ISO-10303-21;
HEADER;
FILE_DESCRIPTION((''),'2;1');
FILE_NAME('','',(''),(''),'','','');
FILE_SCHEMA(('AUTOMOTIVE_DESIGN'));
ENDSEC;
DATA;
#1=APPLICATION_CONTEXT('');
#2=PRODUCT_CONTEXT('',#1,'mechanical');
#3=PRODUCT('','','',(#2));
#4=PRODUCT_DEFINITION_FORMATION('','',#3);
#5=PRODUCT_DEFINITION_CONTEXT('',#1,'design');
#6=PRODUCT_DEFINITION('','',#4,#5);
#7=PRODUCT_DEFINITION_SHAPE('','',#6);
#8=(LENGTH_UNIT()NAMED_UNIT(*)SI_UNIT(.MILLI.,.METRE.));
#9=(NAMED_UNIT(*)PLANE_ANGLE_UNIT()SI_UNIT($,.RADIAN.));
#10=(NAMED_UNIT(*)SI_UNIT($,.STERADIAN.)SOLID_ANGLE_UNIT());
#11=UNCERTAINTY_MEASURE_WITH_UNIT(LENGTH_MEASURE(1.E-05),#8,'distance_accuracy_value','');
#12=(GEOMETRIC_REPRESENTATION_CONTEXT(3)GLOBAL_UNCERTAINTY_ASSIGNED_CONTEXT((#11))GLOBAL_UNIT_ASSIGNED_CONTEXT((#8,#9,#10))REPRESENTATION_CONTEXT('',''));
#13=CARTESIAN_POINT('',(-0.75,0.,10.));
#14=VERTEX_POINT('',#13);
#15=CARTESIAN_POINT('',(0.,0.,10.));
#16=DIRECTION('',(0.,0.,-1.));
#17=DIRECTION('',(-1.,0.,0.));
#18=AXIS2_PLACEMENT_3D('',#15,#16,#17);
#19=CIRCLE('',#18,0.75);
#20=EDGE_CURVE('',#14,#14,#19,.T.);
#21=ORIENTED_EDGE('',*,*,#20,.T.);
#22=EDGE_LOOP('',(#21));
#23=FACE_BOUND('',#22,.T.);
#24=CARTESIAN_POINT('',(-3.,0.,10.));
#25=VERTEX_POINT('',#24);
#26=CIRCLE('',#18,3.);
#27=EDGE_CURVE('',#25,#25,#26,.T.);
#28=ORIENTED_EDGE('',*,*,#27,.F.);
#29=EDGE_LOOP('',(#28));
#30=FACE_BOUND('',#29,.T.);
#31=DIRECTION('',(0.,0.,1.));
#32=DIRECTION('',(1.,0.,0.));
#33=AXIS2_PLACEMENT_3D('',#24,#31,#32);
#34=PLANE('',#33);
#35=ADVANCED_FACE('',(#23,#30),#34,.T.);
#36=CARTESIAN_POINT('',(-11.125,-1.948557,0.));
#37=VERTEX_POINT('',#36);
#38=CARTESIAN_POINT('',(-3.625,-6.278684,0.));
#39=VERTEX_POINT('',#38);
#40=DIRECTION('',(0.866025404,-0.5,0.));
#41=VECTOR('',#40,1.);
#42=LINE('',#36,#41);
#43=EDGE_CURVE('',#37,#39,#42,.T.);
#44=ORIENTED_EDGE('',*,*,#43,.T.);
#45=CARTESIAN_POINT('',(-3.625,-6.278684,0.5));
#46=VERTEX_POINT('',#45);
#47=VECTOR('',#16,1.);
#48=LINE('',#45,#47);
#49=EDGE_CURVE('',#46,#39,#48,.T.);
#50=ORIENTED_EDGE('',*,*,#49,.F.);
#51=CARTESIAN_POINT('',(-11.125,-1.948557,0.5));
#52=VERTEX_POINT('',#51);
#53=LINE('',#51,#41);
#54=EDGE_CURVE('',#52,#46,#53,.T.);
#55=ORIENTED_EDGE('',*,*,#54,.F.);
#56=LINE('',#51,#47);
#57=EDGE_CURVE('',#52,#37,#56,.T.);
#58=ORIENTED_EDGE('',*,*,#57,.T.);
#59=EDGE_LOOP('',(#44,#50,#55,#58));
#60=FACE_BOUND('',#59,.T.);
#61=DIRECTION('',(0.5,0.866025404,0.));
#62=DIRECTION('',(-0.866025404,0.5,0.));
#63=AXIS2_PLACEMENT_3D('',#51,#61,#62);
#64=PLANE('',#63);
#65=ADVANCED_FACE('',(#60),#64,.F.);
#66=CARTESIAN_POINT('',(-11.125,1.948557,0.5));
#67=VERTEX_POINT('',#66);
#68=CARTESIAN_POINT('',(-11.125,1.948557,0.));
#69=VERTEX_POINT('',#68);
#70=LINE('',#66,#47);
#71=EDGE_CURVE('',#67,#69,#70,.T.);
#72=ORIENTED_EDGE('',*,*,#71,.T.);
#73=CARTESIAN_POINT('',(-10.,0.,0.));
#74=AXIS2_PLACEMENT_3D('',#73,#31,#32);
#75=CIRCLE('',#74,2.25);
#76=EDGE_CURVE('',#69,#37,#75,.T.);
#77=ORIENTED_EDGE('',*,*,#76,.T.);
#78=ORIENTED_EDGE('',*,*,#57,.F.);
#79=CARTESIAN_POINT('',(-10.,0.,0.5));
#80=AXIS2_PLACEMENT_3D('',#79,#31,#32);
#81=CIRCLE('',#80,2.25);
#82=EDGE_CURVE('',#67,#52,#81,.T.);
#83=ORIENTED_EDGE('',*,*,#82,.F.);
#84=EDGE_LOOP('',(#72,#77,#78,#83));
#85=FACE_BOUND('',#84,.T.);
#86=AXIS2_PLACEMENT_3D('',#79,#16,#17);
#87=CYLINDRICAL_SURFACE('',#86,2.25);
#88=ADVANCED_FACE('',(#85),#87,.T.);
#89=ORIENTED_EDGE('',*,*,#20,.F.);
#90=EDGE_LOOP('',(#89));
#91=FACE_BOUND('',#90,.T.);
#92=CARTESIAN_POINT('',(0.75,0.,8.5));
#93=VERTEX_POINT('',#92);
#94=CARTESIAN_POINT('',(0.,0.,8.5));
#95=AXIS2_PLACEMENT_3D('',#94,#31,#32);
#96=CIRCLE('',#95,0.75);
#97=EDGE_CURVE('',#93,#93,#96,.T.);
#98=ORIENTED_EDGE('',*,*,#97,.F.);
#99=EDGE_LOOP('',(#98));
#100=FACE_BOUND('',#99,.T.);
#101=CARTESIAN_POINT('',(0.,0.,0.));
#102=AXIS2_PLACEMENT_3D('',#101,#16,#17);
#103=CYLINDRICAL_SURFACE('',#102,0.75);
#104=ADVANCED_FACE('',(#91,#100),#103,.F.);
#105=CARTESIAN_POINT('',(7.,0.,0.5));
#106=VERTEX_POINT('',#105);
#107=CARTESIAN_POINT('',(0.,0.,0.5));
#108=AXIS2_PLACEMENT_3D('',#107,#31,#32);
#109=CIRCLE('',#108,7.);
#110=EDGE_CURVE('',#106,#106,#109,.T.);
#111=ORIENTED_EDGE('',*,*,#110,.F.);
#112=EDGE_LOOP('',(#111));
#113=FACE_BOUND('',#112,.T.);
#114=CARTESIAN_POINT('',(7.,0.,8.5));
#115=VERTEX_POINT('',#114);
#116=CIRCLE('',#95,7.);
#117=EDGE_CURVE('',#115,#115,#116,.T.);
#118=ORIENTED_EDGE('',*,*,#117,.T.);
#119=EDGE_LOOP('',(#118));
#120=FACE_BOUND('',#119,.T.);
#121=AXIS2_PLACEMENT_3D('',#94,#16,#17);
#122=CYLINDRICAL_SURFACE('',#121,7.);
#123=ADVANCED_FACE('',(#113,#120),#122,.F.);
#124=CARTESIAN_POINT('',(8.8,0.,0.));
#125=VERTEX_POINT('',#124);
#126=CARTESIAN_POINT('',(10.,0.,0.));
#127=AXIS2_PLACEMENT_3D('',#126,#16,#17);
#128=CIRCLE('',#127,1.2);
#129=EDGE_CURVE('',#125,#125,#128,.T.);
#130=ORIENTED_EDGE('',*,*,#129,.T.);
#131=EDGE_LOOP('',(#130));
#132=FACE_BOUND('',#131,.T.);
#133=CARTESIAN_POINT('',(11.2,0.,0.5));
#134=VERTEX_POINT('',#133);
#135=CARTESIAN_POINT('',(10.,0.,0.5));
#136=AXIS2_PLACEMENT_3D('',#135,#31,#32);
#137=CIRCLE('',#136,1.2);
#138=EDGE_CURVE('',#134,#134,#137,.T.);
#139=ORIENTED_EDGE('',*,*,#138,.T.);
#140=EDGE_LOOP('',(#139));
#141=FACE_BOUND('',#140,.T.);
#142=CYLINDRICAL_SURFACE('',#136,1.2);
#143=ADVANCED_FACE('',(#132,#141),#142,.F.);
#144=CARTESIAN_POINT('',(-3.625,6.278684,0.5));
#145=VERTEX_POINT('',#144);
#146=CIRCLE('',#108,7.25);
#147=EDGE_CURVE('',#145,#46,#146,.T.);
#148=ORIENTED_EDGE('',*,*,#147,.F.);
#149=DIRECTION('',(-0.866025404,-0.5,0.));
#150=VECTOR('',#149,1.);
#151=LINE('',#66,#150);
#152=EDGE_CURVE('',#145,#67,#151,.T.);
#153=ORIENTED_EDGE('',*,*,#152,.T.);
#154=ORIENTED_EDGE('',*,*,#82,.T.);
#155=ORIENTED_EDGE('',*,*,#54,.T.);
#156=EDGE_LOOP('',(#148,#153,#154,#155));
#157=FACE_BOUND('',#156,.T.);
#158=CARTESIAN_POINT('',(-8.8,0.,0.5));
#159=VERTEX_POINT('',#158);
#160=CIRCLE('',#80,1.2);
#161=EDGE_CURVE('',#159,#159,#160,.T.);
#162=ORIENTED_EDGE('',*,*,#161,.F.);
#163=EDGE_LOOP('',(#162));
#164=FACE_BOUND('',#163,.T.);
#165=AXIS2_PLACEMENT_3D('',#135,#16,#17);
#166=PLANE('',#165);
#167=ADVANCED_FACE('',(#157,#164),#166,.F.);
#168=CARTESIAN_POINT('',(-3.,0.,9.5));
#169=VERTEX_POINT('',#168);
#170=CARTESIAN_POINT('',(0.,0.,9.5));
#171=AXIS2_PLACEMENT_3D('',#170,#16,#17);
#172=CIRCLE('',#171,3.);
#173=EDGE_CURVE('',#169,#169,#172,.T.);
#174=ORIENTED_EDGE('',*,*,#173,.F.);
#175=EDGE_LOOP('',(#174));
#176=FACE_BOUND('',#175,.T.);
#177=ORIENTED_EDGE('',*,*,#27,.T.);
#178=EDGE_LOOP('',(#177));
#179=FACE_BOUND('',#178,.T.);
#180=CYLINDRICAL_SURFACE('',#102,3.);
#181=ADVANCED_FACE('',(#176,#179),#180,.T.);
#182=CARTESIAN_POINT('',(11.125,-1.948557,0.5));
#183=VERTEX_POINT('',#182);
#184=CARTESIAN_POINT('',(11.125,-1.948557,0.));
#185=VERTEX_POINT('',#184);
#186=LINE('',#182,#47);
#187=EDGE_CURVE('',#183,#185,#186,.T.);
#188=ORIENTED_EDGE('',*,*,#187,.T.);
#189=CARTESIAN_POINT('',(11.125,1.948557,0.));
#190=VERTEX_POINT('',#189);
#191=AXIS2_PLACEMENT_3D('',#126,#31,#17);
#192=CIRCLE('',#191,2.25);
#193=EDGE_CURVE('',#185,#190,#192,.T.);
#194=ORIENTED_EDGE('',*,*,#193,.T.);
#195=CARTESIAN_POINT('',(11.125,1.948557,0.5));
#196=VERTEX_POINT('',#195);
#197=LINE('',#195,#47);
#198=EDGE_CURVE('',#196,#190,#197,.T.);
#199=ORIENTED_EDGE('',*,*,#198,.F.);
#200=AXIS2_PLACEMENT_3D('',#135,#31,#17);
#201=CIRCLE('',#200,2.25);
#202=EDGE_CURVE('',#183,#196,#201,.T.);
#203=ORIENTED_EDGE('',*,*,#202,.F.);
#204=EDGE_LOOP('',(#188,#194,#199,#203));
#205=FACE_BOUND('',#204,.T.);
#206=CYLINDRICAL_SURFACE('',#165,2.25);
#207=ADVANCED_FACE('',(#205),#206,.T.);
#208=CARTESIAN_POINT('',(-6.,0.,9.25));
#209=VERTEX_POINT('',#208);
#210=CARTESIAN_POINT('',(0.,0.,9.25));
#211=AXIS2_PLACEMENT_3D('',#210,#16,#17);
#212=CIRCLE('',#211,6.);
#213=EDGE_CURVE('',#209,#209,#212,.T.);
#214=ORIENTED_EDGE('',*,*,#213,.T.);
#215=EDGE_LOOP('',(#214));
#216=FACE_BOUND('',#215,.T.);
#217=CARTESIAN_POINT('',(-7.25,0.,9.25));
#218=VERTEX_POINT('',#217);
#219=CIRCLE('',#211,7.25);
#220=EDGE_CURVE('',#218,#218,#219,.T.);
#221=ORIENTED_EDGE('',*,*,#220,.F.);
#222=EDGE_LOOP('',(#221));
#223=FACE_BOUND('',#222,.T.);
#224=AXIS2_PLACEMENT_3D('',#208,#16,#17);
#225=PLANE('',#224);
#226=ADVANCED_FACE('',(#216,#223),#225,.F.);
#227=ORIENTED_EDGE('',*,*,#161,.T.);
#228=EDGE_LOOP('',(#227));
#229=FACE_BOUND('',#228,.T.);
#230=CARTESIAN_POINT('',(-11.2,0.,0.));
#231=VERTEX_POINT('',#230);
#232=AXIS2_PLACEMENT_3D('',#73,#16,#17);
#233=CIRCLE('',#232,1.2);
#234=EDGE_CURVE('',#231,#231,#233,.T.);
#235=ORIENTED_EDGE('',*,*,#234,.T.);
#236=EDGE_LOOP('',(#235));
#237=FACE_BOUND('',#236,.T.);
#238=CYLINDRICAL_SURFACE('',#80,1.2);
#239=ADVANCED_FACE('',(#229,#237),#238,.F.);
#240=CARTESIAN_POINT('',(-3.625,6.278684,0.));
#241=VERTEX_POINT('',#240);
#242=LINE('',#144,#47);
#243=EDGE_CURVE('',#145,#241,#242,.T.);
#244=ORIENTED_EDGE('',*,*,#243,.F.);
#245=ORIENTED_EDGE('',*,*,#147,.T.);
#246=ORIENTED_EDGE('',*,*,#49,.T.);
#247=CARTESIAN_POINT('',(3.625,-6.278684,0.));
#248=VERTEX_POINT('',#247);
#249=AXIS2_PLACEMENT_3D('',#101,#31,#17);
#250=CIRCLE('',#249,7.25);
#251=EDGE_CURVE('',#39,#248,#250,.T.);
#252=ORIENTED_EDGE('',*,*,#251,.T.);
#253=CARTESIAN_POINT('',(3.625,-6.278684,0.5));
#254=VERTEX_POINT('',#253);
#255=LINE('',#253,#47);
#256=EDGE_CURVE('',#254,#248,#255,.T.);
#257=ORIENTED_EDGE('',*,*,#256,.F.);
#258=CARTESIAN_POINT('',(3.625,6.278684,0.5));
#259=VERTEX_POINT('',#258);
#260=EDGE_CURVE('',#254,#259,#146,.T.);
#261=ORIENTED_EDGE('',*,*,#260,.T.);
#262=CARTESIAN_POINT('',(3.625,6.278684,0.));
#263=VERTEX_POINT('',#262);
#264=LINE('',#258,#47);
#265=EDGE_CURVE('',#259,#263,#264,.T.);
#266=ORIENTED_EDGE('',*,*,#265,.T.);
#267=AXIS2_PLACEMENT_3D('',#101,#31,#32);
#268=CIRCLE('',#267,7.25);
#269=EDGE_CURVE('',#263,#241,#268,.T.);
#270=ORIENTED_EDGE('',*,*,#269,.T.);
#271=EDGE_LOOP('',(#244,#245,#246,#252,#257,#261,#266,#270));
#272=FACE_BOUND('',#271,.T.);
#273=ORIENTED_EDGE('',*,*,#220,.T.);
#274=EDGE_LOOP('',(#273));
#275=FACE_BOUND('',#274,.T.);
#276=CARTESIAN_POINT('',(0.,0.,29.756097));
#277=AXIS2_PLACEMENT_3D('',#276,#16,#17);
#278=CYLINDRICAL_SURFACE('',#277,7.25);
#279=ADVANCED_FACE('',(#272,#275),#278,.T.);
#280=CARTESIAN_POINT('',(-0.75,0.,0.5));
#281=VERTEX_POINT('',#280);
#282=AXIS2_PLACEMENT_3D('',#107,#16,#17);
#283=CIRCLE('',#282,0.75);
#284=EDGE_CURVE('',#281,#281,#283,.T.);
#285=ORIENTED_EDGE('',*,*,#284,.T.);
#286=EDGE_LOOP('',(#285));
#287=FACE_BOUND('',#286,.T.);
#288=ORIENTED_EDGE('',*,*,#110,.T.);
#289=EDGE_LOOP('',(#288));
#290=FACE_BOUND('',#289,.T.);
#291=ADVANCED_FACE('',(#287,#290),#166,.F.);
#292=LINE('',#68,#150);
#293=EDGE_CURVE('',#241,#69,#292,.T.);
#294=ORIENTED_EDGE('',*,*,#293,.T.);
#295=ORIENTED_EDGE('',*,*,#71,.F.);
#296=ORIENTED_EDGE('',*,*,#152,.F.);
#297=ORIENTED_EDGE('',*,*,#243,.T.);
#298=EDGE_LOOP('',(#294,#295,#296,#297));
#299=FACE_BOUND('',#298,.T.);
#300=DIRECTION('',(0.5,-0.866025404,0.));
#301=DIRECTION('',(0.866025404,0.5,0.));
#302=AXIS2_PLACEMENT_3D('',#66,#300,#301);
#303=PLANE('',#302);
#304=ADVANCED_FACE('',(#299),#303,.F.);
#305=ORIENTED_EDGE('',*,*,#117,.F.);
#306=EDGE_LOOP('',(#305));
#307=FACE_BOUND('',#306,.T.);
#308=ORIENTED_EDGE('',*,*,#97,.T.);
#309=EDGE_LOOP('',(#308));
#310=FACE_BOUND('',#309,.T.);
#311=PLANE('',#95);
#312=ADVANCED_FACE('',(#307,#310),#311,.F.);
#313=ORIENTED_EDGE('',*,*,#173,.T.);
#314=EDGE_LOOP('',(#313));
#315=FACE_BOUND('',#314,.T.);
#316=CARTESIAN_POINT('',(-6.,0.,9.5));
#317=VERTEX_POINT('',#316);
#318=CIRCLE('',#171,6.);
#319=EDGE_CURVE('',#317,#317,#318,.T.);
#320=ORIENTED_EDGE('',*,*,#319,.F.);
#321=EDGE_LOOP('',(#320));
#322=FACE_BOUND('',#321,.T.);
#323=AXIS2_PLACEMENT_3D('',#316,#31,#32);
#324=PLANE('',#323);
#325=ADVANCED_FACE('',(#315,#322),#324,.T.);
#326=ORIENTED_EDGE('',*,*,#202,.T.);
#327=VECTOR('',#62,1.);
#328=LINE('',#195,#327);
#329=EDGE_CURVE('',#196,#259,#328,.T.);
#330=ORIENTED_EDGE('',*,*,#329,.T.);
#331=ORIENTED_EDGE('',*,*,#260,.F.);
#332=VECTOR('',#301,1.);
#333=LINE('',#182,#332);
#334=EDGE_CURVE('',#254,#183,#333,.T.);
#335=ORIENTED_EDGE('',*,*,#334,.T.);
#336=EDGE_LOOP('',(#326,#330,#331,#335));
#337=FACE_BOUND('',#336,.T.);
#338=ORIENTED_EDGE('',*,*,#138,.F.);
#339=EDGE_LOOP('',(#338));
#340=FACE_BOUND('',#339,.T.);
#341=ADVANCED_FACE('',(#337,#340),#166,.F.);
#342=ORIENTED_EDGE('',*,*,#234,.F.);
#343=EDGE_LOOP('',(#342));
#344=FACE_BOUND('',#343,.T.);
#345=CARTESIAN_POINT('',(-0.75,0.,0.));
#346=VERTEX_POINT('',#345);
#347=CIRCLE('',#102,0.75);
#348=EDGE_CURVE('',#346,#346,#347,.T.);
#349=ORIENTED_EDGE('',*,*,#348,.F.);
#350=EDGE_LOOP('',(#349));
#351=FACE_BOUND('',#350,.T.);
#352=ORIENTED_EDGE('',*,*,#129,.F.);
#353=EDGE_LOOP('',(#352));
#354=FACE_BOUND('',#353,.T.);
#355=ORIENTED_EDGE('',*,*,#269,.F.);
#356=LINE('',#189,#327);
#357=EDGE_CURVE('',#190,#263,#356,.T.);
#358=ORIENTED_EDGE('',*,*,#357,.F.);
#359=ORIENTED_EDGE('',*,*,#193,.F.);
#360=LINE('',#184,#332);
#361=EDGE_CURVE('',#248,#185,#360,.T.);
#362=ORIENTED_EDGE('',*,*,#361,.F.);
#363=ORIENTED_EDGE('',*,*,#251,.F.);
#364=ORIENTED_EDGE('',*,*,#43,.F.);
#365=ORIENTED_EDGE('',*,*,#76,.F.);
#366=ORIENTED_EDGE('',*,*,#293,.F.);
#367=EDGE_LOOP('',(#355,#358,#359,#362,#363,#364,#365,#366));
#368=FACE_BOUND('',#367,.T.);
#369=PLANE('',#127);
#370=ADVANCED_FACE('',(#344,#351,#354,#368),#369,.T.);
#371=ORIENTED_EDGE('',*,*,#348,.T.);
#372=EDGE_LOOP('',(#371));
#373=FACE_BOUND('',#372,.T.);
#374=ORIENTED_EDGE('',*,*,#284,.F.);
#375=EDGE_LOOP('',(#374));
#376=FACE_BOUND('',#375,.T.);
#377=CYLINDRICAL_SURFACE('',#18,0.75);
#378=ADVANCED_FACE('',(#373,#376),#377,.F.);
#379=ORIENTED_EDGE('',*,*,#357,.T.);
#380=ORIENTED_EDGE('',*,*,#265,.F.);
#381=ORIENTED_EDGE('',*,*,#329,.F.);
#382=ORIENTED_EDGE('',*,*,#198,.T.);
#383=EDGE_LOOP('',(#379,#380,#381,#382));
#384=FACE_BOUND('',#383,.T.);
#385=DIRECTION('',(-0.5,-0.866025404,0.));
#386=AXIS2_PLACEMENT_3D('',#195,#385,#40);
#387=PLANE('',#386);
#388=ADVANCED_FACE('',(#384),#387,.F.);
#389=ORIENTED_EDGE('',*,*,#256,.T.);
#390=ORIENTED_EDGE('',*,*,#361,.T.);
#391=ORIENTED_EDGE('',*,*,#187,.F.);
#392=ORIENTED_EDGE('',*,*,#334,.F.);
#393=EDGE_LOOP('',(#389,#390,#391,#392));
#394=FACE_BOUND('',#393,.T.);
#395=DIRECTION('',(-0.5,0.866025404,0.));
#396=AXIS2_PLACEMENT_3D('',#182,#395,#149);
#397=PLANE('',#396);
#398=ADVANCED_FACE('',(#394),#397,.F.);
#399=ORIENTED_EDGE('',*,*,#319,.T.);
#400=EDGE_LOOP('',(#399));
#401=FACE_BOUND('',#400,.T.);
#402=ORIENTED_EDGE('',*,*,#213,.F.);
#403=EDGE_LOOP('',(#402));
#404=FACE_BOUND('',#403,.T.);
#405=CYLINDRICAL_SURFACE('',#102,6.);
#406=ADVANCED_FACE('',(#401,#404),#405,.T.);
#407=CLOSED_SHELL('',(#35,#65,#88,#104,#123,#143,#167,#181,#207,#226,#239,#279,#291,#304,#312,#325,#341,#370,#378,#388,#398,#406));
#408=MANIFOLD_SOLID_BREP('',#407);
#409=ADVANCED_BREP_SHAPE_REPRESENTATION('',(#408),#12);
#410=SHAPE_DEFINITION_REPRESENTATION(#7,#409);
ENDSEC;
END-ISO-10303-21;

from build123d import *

# Parameters (mm, degrees)
BOSS_EXTRU_1_DEPTH      = 0.5
ESQUISSE2_R             = 7.25
ESQUISSE2_R_2           = 7
BOSS_EXTRU_2_DEPTH      = 8
D_GAGEMENT_M21_D        = 2.4
D_GAGEMENT_M21_DEPTH    = 10
D_GAGEMENT_M21_TIP      = 0.721032743
ESQUISSE16_R            = 7.25
BOSS_EXTRU_4_DEPTH      = 0.75
ESQUISSE7_R             = 0.75
ENL_V_MAT_EXTRU_1_DEPTH = 18.396120257


with BuildPart() as part:
    # Esquisse1 → Boss.-Extru.1 (new body)
    with BuildSketch(Plane.XY):
        with BuildLine():
            Line((-11.125, 1.948557159), (-3.625, 6.278684177))
            ThreePointArc((-3.625, 6.278684177), (0, 7.25), (3.625, 6.278684177))
            Line((3.625, 6.278684177), (11.125, 1.948557159))
            ThreePointArc((11.125, 1.948557159), (12.25, 0), (11.125, -1.948557159))
            Line((11.125, -1.948557159), (3.625, -6.278684177))
            ThreePointArc((3.625, -6.278684177), (0, -7.25), (-3.625, -6.278684177))
            Line((-3.625, -6.278684177), (-11.125, -1.948557159))
            ThreePointArc((-11.125, -1.948557159), (-12.25, 0), (-11.125, 1.948557159))
        make_face()
    extrude(amount=BOSS_EXTRU_1_DEPTH)

    # Esquisse2 → Boss.-Extru.2 (add)
    with BuildSketch(Plane.XY.offset(0.5)):
        with Locations(Location((0, 0, 0), (0, 0, 120))):
            Circle(ESQUISSE2_R)
        Circle(ESQUISSE2_R_2, mode=Mode.SUBTRACT)
    extrude(amount=BOSS_EXTRU_2_DEPTH)

    # Dégagement M21
    with Locations(Plane(origin=(-10, 0, 0.5), x_dir=(1, 0, 0), z_dir=(0, 0, 1))):
        with Locations((0, 0), (20, 0)):
            Hole(D_GAGEMENT_M21_D / 2, depth=D_GAGEMENT_M21_DEPTH)
            with Locations((0, 0, -(D_GAGEMENT_M21_DEPTH + D_GAGEMENT_M21_TIP / 2))):  # 118° drill point
                Cone(0, D_GAGEMENT_M21_D / 2, D_GAGEMENT_M21_TIP, mode=Mode.SUBTRACT)



with BuildPart() as body_2:
    # Esquisse5 → Révolution1 (revolve)
    with BuildSketch(Plane(origin=(0, 0, 0), x_dir=(1, 0, 0), z_dir=(0, 1, 0))):
        Polygon((-6, -9.25), (-6, -9.5), (-3, -9.5), (-3, -10), (-0.75, -10), (-0.75, -9.25), align=None)
    revolve(axis=Axis((0, 0, 0), (0, 0, 1)))


with BuildPart() as part_1:
    add(part.part)

    add(body_2.part)  # Boss.-Extru.4 merges body 2
    # Esquisse16 → Boss.-Extru.4 (add)
    with BuildSketch(Plane.XY.offset(8.5)):
        with Locations(Location((0, 0, 0), (0, 0, 180))):
            Circle(ESQUISSE16_R)
    extrude(amount=BOSS_EXTRU_4_DEPTH)

    # Esquisse7 → Enlèv. mat.-Extru.1 (cut, through all)
    with BuildSketch(Plane(origin=(0, 0, 0), x_dir=(-1, 0, 0), z_dir=(0, 0, -1))):
        Circle(ESQUISSE7_R)
    extrude(amount=-ENL_V_MAT_EXTRU_1_DEPTH, mode=Mode.SUBTRACT)


solid = part_1.part
